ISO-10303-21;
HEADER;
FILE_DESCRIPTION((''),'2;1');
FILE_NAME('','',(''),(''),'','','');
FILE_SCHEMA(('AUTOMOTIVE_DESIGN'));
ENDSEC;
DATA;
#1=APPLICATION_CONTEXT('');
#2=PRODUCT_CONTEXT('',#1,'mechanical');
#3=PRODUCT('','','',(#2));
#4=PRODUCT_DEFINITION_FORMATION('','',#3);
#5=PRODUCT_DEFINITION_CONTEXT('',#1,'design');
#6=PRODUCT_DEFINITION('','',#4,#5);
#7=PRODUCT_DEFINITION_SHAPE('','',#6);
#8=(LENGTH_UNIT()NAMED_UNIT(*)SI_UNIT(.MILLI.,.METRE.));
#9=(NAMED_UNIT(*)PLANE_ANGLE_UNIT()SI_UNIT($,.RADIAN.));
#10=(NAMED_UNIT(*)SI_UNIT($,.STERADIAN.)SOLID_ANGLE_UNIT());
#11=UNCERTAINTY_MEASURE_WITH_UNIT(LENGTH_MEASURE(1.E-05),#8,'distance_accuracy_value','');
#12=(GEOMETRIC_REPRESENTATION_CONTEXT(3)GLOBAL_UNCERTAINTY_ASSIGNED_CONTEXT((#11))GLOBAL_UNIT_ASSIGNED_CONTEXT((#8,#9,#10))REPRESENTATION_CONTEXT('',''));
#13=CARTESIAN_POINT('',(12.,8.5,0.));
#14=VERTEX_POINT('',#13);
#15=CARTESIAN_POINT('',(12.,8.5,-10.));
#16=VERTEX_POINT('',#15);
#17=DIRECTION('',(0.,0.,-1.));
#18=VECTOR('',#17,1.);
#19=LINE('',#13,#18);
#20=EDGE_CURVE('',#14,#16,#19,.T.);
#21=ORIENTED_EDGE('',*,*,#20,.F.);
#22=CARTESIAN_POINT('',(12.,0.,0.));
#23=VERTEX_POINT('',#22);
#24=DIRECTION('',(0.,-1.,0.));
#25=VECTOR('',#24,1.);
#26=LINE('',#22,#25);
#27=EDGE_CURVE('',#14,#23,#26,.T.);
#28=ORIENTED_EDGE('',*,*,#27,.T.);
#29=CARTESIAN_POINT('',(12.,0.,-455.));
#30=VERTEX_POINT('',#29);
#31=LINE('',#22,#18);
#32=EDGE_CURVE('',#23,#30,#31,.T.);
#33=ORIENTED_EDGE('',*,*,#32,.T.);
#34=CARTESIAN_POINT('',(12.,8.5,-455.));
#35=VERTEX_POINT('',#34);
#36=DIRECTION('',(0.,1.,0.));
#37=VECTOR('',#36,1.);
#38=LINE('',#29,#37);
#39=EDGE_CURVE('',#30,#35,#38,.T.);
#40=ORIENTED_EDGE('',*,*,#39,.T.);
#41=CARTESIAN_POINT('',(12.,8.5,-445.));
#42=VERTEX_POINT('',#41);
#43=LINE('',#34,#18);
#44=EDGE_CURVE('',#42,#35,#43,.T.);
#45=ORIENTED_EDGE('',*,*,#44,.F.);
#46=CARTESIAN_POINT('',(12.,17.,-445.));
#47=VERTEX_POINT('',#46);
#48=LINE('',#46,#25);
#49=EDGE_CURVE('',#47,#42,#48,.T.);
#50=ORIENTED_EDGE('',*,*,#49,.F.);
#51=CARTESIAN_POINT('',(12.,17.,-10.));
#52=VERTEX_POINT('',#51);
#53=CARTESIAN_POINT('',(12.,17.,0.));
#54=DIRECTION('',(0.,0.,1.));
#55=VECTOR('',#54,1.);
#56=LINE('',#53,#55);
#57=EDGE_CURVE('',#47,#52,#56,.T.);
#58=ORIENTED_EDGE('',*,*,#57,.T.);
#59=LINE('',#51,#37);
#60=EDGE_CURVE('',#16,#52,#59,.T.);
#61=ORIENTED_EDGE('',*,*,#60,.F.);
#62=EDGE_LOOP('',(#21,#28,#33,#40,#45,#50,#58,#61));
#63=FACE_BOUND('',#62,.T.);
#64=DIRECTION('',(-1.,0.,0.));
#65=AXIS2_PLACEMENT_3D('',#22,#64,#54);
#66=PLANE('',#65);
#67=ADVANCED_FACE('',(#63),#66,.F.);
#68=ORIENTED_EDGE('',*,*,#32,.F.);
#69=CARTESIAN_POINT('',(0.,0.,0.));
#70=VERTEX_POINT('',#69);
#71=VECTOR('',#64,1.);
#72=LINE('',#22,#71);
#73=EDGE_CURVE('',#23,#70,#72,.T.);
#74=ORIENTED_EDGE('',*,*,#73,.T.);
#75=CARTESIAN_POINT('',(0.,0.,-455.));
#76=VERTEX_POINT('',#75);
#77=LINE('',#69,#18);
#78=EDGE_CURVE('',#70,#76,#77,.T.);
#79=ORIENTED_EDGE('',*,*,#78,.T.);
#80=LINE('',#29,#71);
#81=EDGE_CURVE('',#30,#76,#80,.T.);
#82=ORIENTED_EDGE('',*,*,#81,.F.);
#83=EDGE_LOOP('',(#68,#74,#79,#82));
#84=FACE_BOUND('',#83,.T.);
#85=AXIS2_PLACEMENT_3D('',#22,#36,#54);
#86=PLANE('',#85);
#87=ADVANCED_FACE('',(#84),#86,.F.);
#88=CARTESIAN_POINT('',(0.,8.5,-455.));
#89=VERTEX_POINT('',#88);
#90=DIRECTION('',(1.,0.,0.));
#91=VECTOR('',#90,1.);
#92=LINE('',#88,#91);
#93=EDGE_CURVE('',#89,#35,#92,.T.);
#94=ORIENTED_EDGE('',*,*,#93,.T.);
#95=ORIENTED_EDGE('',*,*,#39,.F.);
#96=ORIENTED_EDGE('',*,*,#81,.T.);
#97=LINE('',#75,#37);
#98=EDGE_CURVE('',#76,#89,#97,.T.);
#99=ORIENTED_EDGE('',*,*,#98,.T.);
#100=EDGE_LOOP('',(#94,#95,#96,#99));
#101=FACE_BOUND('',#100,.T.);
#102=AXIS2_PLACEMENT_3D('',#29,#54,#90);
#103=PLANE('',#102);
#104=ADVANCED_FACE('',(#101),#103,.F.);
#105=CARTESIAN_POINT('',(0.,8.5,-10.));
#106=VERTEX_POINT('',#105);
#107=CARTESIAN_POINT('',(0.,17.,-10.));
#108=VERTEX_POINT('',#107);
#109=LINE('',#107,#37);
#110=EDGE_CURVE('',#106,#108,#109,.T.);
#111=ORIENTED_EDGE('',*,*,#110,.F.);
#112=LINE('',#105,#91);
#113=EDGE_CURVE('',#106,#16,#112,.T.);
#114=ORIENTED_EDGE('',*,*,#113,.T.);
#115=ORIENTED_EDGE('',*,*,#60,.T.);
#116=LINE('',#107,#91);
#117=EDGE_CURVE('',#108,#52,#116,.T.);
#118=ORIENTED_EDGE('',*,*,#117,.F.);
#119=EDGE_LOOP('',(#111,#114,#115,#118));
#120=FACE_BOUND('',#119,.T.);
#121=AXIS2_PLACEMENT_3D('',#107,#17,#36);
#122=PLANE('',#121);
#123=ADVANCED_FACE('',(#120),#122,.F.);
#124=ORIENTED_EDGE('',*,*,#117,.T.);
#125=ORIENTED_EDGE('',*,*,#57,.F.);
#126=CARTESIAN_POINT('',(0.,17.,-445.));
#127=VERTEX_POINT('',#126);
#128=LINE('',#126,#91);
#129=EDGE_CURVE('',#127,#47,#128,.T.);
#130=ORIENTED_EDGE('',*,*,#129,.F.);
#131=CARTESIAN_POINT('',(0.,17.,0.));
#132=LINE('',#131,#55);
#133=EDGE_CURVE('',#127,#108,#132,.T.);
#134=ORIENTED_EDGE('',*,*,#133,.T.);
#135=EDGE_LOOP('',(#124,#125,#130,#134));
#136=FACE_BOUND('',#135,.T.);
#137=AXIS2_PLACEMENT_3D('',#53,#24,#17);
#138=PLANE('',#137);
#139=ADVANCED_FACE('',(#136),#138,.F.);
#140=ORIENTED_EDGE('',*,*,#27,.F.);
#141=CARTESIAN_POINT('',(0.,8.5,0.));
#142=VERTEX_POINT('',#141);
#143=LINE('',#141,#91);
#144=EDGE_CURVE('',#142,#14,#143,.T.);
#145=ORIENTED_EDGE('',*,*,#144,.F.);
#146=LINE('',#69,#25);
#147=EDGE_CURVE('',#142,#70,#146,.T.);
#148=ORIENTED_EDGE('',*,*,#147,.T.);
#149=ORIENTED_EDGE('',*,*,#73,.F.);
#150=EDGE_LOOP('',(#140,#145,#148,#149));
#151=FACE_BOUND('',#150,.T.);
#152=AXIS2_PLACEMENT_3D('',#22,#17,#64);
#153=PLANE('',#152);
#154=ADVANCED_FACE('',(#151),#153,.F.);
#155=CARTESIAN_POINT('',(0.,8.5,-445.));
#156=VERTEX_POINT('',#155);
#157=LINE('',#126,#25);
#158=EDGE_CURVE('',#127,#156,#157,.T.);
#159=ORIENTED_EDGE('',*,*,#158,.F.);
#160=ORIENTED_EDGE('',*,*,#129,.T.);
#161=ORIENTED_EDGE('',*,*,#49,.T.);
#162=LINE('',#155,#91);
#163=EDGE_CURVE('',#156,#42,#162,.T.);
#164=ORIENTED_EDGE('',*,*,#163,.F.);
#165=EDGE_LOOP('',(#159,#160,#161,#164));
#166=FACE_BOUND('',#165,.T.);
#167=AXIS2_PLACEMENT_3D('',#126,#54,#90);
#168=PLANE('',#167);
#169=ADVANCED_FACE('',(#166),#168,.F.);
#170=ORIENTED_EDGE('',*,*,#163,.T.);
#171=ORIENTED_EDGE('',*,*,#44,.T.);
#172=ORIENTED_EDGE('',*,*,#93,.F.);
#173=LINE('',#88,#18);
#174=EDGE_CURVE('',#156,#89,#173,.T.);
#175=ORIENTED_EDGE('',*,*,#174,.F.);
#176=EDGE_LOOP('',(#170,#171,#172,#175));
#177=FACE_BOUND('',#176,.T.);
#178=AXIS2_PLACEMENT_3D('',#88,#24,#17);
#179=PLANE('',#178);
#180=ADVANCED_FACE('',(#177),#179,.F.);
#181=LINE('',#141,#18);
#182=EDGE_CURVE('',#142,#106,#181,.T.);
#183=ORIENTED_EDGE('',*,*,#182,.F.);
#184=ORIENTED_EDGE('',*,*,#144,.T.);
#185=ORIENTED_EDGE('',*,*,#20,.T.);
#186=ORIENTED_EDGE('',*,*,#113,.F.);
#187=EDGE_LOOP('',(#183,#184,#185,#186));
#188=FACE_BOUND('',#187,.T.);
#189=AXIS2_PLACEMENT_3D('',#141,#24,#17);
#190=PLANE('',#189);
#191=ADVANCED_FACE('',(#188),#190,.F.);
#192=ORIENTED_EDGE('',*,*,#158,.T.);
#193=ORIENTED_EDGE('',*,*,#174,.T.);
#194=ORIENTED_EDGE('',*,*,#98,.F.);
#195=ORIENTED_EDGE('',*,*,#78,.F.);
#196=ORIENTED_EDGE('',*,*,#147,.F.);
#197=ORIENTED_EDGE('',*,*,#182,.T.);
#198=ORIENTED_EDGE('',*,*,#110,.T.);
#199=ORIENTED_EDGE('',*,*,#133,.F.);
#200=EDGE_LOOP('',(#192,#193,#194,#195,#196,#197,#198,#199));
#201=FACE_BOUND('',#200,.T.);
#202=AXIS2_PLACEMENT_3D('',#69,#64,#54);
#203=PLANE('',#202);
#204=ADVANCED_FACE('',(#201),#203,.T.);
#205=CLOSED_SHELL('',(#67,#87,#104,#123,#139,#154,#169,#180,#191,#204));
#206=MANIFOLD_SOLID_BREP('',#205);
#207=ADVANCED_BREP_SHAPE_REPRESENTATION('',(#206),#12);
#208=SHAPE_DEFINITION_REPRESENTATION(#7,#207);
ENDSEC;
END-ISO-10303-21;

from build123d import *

# Parameters (mm, degrees)
SKETCH1_W           = 455
SKETCH1_H           = 17
BOSS_EXTRUDE1_DEPTH = 12
SKETCH2_W           = 10
SKETCH2_H           = 8.5
CUT_EXTRUDE1_DEPTH  = 12


with BuildPart() as part:
    # Sketch1 → Boss-Extrude1 (new body)
    with BuildSketch(Plane(origin=(0, 0, 0), x_dir=(0, 0, -1), z_dir=(1, 0, 0))):
        with Locations((227.5, 8.5)):
            Rectangle(SKETCH1_W, SKETCH1_H)
    extrude(amount=BOSS_EXTRUDE1_DEPTH)

    # Sketch2 → Cut-Extrude1 (cut)
    with BuildSketch(Plane(origin=(12, 0, 0), x_dir=(0, 0, -1), z_dir=(1, 0, 0))):
        with Locations((5, 12.75)):
            Rectangle(SKETCH2_W, SKETCH2_H)
        with Locations((450, 12.75)):
            Rectangle(SKETCH2_W, SKETCH2_H)
    extrude(amount=-CUT_EXTRUDE1_DEPTH, mode=Mode.SUBTRACT)


solid = part.part
